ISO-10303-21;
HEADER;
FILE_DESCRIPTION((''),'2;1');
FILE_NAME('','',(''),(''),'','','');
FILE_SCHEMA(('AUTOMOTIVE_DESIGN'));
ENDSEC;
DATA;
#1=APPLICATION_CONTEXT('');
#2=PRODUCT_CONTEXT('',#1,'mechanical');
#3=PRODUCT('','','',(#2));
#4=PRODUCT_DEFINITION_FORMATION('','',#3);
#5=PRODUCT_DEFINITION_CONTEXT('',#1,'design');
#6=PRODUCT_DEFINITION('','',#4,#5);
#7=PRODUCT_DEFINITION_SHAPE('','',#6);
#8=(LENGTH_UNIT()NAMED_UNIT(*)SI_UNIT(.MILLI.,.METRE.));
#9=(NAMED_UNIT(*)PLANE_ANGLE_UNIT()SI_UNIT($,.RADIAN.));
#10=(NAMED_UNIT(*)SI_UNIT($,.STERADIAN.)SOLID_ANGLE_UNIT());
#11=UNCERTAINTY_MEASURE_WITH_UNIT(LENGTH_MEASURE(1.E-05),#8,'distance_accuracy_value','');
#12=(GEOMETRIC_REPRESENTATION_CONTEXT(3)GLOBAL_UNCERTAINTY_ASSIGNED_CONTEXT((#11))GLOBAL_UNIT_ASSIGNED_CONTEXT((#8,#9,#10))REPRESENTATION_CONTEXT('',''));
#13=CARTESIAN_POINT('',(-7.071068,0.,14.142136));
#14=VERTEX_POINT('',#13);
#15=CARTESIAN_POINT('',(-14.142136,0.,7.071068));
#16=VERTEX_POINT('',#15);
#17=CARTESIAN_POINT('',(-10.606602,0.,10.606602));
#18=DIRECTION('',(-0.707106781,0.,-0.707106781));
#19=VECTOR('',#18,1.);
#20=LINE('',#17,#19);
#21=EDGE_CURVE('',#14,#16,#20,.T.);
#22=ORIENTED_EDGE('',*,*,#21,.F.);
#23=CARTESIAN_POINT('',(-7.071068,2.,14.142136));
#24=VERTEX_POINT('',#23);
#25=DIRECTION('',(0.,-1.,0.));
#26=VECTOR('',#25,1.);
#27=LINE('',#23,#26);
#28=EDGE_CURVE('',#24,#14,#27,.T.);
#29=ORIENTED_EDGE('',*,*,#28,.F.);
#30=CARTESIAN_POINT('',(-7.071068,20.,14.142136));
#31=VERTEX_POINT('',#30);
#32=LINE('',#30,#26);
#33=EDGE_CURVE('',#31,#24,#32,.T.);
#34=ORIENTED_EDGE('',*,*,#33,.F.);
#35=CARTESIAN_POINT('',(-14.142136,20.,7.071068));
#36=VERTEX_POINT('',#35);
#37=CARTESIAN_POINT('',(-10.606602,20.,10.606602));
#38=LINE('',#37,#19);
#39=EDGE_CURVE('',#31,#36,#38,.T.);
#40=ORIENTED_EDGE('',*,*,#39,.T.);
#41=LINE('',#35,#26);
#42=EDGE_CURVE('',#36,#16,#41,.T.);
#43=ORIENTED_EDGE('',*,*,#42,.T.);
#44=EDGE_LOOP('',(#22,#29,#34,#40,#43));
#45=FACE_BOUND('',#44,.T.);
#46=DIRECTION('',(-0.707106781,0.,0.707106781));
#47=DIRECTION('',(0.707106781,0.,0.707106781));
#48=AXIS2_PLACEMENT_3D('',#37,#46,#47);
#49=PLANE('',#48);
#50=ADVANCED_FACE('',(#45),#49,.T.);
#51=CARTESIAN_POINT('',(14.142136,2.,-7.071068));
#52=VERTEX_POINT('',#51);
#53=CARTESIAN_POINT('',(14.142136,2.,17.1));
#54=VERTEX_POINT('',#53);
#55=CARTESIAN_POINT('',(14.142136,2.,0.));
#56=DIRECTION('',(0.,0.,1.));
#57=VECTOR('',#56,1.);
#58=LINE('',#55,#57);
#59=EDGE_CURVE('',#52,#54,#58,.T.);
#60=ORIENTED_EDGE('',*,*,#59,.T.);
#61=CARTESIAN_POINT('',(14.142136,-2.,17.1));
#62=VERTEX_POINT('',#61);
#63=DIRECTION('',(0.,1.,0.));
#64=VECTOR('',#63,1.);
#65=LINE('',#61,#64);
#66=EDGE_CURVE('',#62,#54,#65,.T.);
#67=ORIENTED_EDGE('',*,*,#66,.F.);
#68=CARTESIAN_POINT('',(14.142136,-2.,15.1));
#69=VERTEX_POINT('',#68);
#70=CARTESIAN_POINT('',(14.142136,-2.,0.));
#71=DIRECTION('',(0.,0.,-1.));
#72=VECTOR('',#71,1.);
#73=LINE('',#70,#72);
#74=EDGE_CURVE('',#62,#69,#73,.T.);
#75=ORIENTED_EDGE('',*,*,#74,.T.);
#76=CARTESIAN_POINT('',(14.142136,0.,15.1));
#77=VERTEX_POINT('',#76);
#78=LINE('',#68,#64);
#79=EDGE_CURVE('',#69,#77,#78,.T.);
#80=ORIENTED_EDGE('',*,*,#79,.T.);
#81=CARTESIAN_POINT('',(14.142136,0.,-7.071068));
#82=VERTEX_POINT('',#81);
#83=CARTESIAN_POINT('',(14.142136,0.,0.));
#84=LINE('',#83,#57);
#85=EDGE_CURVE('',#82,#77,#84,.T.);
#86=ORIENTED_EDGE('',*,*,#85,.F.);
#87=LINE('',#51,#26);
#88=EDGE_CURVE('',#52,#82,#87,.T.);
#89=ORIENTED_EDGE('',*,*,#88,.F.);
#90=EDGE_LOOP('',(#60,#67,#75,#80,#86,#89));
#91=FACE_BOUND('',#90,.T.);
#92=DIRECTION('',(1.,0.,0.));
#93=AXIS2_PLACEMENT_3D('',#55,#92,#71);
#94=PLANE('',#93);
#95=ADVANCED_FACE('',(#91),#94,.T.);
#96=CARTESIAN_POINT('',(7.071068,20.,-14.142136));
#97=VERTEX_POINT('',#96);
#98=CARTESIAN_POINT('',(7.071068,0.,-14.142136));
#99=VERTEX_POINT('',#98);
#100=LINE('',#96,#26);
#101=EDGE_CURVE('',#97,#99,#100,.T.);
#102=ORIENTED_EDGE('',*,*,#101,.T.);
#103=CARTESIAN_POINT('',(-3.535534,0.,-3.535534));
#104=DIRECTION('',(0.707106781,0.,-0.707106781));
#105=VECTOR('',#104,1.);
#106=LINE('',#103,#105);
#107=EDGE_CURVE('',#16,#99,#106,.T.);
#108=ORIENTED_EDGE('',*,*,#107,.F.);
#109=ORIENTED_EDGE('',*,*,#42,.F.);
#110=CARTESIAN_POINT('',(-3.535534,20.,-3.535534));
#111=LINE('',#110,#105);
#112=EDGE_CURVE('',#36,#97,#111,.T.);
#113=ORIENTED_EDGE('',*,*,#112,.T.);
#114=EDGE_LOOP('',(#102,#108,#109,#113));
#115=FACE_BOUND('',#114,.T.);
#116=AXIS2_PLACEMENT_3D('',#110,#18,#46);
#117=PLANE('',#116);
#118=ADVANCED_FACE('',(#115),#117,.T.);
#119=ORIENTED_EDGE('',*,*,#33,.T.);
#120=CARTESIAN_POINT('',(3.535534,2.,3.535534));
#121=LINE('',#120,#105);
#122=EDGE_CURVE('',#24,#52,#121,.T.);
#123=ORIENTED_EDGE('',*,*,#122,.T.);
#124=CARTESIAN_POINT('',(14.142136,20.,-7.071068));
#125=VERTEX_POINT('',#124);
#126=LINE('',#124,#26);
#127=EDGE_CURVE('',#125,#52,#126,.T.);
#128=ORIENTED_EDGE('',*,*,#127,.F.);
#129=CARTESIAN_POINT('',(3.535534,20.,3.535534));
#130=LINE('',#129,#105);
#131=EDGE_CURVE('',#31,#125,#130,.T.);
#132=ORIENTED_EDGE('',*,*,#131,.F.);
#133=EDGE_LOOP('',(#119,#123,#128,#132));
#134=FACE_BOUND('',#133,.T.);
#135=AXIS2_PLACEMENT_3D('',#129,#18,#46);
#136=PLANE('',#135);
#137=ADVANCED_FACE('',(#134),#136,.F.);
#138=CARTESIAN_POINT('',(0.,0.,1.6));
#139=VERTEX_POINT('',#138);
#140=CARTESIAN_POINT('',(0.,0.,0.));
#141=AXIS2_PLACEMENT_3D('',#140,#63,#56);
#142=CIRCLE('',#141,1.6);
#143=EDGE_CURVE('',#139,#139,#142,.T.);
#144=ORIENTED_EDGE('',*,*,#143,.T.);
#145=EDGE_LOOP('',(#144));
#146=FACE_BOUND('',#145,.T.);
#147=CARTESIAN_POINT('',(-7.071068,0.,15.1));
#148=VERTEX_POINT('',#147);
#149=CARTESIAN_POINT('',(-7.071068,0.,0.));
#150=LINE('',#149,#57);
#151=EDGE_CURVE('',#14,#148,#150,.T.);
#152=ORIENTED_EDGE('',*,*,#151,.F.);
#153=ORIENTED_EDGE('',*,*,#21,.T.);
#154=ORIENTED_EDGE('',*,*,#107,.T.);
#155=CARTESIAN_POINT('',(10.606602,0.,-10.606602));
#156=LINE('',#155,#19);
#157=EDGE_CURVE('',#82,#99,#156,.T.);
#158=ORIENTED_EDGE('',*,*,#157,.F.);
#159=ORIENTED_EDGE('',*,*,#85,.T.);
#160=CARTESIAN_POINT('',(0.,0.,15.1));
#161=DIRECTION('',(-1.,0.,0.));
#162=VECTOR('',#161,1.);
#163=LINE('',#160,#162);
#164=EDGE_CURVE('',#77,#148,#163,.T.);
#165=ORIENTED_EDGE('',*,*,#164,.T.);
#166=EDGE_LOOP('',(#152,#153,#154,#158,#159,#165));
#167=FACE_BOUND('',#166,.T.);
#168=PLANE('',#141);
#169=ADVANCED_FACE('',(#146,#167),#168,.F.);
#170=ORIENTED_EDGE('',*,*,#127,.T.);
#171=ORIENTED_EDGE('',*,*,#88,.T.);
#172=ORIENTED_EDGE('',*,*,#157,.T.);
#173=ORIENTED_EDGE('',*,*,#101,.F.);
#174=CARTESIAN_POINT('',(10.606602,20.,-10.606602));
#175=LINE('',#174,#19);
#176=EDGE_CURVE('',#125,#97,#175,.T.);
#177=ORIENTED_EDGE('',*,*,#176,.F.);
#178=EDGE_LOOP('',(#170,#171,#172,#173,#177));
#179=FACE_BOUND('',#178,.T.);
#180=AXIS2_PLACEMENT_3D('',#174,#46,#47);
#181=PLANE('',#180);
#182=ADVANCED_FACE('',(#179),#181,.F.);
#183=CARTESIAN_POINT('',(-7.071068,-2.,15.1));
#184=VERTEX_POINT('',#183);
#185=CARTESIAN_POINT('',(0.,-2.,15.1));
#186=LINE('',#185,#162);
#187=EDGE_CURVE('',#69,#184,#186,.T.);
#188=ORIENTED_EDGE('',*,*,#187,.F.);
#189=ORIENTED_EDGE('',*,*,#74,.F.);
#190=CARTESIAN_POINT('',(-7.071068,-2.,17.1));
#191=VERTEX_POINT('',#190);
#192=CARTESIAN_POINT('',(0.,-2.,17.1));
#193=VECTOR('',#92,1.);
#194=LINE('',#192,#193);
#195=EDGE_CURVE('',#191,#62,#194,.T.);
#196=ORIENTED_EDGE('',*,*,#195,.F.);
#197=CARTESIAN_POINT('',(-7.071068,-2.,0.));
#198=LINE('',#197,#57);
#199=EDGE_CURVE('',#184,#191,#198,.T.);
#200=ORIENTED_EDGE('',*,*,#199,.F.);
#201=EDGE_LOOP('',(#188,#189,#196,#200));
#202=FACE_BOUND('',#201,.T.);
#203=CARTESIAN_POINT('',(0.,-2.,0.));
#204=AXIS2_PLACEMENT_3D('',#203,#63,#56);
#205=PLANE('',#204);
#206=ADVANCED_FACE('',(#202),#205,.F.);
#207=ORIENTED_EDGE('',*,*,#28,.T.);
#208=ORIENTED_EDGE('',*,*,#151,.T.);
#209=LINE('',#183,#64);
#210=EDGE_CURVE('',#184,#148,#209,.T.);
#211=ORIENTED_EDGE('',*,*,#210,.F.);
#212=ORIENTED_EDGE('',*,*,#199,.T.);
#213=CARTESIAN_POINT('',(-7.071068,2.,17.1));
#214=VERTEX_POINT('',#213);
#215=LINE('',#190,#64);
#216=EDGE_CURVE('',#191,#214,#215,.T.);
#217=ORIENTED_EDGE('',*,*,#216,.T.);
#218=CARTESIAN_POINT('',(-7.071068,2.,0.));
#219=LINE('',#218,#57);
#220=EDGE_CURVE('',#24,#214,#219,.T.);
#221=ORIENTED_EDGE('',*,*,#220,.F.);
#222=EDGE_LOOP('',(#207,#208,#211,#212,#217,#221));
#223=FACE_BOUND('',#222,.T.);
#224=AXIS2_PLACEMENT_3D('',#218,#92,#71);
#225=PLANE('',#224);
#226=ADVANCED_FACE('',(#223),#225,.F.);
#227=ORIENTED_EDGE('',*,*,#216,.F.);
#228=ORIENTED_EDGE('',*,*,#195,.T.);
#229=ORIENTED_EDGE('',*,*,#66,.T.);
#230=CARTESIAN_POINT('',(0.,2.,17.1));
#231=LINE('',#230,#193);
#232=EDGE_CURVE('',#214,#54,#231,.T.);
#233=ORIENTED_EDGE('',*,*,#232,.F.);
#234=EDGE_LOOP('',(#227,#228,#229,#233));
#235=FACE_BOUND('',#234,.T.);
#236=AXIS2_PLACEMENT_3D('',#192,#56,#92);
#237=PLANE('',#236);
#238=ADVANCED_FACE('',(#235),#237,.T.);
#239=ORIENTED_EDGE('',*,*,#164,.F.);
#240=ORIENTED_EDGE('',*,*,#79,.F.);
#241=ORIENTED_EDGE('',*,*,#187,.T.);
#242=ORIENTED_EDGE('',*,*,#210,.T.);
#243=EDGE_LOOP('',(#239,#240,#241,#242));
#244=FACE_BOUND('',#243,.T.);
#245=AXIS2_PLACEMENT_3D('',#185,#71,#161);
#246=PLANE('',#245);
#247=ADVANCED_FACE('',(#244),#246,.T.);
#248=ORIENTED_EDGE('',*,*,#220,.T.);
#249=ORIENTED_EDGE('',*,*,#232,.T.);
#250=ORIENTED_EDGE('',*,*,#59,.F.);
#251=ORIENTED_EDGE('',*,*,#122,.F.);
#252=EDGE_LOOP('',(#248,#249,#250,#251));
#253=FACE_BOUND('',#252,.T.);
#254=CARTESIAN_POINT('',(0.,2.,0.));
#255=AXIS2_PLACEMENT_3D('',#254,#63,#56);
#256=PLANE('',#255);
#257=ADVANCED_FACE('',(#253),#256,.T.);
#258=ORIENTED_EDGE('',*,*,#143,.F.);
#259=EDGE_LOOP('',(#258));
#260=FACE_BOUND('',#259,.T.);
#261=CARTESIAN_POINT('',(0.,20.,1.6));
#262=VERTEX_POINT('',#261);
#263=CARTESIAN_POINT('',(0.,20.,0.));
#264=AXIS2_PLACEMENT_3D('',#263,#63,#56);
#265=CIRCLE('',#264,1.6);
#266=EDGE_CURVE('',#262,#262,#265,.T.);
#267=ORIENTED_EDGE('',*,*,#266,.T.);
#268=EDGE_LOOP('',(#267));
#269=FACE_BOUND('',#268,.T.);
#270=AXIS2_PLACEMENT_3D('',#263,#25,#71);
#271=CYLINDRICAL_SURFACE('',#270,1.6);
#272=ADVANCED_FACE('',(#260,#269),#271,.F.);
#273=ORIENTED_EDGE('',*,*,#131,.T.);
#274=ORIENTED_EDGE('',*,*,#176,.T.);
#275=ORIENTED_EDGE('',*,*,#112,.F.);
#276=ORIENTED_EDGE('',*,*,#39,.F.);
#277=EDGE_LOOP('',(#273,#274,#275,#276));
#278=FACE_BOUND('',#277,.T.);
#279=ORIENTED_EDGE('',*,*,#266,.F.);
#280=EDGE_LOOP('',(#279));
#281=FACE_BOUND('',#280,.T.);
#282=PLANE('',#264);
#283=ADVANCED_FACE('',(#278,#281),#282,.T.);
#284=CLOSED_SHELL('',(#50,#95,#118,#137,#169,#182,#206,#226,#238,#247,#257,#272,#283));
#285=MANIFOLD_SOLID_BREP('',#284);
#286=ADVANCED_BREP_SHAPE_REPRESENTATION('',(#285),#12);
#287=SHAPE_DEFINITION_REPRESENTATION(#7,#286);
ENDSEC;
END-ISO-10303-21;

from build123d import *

# Parameters (mm, degrees)
SKETCH1_R                = 1.6
BOSS_EXTRUDE1_DEPTH      = 20
BOSS_EXTRUDE2_DEPTH      = 2
BOSS_EXTRUDE3_DEPTH      = 2
BOSS_EXTRUDE3_DEPTH_BACK = 2
SKETCH1_4_W              = 21.213203436
SKETCH1_4_H              = 2


with BuildPart() as part:
    # Sketch1 → Boss-Extrude1 (new body)
    with BuildSketch(Plane(origin=(0, 0, 0), x_dir=(1, 0, 0), z_dir=(0, 1, 0))):
        Polygon((-14.142135624, -7.071067812), (-7.071067812, -14.142135624), (14.142135624, 7.071067812), (7.071067812, 14.142135624), align=None)
        Circle(SKETCH1_R, mode=Mode.SUBTRACT)
    extrude(amount=BOSS_EXTRUDE1_DEPTH)

    # Sketch1<3> → Boss-Extrude2 (add)
    with BuildSketch(Plane(origin=(0, 0, 0), x_dir=(1, 0, 0), z_dir=(0, 1, 0))):
        Polygon((14.142135624, 7.071067812), (-7.071067812, -14.142135624), (-7.071067812, -15.1), (14.142135624, -15.1), align=None)
    extrude(amount=BOSS_EXTRUDE2_DEPTH)

    # Sketch1<4> → Boss-Extrude3 (add, two sides: drawn at the far end of the back side and taken through both)
    with BuildSketch(Plane(origin=(0, 0, 0), x_dir=(1, 0, 0), z_dir=(0, 1, 0)).offset(-BOSS_EXTRUDE3_DEPTH_BACK)):
        with Locations((3.535533906, -16.1)):
            Rectangle(SKETCH1_4_W, SKETCH1_4_H)
    extrude(amount=BOSS_EXTRUDE3_DEPTH + BOSS_EXTRUDE3_DEPTH_BACK)


solid = part.part
